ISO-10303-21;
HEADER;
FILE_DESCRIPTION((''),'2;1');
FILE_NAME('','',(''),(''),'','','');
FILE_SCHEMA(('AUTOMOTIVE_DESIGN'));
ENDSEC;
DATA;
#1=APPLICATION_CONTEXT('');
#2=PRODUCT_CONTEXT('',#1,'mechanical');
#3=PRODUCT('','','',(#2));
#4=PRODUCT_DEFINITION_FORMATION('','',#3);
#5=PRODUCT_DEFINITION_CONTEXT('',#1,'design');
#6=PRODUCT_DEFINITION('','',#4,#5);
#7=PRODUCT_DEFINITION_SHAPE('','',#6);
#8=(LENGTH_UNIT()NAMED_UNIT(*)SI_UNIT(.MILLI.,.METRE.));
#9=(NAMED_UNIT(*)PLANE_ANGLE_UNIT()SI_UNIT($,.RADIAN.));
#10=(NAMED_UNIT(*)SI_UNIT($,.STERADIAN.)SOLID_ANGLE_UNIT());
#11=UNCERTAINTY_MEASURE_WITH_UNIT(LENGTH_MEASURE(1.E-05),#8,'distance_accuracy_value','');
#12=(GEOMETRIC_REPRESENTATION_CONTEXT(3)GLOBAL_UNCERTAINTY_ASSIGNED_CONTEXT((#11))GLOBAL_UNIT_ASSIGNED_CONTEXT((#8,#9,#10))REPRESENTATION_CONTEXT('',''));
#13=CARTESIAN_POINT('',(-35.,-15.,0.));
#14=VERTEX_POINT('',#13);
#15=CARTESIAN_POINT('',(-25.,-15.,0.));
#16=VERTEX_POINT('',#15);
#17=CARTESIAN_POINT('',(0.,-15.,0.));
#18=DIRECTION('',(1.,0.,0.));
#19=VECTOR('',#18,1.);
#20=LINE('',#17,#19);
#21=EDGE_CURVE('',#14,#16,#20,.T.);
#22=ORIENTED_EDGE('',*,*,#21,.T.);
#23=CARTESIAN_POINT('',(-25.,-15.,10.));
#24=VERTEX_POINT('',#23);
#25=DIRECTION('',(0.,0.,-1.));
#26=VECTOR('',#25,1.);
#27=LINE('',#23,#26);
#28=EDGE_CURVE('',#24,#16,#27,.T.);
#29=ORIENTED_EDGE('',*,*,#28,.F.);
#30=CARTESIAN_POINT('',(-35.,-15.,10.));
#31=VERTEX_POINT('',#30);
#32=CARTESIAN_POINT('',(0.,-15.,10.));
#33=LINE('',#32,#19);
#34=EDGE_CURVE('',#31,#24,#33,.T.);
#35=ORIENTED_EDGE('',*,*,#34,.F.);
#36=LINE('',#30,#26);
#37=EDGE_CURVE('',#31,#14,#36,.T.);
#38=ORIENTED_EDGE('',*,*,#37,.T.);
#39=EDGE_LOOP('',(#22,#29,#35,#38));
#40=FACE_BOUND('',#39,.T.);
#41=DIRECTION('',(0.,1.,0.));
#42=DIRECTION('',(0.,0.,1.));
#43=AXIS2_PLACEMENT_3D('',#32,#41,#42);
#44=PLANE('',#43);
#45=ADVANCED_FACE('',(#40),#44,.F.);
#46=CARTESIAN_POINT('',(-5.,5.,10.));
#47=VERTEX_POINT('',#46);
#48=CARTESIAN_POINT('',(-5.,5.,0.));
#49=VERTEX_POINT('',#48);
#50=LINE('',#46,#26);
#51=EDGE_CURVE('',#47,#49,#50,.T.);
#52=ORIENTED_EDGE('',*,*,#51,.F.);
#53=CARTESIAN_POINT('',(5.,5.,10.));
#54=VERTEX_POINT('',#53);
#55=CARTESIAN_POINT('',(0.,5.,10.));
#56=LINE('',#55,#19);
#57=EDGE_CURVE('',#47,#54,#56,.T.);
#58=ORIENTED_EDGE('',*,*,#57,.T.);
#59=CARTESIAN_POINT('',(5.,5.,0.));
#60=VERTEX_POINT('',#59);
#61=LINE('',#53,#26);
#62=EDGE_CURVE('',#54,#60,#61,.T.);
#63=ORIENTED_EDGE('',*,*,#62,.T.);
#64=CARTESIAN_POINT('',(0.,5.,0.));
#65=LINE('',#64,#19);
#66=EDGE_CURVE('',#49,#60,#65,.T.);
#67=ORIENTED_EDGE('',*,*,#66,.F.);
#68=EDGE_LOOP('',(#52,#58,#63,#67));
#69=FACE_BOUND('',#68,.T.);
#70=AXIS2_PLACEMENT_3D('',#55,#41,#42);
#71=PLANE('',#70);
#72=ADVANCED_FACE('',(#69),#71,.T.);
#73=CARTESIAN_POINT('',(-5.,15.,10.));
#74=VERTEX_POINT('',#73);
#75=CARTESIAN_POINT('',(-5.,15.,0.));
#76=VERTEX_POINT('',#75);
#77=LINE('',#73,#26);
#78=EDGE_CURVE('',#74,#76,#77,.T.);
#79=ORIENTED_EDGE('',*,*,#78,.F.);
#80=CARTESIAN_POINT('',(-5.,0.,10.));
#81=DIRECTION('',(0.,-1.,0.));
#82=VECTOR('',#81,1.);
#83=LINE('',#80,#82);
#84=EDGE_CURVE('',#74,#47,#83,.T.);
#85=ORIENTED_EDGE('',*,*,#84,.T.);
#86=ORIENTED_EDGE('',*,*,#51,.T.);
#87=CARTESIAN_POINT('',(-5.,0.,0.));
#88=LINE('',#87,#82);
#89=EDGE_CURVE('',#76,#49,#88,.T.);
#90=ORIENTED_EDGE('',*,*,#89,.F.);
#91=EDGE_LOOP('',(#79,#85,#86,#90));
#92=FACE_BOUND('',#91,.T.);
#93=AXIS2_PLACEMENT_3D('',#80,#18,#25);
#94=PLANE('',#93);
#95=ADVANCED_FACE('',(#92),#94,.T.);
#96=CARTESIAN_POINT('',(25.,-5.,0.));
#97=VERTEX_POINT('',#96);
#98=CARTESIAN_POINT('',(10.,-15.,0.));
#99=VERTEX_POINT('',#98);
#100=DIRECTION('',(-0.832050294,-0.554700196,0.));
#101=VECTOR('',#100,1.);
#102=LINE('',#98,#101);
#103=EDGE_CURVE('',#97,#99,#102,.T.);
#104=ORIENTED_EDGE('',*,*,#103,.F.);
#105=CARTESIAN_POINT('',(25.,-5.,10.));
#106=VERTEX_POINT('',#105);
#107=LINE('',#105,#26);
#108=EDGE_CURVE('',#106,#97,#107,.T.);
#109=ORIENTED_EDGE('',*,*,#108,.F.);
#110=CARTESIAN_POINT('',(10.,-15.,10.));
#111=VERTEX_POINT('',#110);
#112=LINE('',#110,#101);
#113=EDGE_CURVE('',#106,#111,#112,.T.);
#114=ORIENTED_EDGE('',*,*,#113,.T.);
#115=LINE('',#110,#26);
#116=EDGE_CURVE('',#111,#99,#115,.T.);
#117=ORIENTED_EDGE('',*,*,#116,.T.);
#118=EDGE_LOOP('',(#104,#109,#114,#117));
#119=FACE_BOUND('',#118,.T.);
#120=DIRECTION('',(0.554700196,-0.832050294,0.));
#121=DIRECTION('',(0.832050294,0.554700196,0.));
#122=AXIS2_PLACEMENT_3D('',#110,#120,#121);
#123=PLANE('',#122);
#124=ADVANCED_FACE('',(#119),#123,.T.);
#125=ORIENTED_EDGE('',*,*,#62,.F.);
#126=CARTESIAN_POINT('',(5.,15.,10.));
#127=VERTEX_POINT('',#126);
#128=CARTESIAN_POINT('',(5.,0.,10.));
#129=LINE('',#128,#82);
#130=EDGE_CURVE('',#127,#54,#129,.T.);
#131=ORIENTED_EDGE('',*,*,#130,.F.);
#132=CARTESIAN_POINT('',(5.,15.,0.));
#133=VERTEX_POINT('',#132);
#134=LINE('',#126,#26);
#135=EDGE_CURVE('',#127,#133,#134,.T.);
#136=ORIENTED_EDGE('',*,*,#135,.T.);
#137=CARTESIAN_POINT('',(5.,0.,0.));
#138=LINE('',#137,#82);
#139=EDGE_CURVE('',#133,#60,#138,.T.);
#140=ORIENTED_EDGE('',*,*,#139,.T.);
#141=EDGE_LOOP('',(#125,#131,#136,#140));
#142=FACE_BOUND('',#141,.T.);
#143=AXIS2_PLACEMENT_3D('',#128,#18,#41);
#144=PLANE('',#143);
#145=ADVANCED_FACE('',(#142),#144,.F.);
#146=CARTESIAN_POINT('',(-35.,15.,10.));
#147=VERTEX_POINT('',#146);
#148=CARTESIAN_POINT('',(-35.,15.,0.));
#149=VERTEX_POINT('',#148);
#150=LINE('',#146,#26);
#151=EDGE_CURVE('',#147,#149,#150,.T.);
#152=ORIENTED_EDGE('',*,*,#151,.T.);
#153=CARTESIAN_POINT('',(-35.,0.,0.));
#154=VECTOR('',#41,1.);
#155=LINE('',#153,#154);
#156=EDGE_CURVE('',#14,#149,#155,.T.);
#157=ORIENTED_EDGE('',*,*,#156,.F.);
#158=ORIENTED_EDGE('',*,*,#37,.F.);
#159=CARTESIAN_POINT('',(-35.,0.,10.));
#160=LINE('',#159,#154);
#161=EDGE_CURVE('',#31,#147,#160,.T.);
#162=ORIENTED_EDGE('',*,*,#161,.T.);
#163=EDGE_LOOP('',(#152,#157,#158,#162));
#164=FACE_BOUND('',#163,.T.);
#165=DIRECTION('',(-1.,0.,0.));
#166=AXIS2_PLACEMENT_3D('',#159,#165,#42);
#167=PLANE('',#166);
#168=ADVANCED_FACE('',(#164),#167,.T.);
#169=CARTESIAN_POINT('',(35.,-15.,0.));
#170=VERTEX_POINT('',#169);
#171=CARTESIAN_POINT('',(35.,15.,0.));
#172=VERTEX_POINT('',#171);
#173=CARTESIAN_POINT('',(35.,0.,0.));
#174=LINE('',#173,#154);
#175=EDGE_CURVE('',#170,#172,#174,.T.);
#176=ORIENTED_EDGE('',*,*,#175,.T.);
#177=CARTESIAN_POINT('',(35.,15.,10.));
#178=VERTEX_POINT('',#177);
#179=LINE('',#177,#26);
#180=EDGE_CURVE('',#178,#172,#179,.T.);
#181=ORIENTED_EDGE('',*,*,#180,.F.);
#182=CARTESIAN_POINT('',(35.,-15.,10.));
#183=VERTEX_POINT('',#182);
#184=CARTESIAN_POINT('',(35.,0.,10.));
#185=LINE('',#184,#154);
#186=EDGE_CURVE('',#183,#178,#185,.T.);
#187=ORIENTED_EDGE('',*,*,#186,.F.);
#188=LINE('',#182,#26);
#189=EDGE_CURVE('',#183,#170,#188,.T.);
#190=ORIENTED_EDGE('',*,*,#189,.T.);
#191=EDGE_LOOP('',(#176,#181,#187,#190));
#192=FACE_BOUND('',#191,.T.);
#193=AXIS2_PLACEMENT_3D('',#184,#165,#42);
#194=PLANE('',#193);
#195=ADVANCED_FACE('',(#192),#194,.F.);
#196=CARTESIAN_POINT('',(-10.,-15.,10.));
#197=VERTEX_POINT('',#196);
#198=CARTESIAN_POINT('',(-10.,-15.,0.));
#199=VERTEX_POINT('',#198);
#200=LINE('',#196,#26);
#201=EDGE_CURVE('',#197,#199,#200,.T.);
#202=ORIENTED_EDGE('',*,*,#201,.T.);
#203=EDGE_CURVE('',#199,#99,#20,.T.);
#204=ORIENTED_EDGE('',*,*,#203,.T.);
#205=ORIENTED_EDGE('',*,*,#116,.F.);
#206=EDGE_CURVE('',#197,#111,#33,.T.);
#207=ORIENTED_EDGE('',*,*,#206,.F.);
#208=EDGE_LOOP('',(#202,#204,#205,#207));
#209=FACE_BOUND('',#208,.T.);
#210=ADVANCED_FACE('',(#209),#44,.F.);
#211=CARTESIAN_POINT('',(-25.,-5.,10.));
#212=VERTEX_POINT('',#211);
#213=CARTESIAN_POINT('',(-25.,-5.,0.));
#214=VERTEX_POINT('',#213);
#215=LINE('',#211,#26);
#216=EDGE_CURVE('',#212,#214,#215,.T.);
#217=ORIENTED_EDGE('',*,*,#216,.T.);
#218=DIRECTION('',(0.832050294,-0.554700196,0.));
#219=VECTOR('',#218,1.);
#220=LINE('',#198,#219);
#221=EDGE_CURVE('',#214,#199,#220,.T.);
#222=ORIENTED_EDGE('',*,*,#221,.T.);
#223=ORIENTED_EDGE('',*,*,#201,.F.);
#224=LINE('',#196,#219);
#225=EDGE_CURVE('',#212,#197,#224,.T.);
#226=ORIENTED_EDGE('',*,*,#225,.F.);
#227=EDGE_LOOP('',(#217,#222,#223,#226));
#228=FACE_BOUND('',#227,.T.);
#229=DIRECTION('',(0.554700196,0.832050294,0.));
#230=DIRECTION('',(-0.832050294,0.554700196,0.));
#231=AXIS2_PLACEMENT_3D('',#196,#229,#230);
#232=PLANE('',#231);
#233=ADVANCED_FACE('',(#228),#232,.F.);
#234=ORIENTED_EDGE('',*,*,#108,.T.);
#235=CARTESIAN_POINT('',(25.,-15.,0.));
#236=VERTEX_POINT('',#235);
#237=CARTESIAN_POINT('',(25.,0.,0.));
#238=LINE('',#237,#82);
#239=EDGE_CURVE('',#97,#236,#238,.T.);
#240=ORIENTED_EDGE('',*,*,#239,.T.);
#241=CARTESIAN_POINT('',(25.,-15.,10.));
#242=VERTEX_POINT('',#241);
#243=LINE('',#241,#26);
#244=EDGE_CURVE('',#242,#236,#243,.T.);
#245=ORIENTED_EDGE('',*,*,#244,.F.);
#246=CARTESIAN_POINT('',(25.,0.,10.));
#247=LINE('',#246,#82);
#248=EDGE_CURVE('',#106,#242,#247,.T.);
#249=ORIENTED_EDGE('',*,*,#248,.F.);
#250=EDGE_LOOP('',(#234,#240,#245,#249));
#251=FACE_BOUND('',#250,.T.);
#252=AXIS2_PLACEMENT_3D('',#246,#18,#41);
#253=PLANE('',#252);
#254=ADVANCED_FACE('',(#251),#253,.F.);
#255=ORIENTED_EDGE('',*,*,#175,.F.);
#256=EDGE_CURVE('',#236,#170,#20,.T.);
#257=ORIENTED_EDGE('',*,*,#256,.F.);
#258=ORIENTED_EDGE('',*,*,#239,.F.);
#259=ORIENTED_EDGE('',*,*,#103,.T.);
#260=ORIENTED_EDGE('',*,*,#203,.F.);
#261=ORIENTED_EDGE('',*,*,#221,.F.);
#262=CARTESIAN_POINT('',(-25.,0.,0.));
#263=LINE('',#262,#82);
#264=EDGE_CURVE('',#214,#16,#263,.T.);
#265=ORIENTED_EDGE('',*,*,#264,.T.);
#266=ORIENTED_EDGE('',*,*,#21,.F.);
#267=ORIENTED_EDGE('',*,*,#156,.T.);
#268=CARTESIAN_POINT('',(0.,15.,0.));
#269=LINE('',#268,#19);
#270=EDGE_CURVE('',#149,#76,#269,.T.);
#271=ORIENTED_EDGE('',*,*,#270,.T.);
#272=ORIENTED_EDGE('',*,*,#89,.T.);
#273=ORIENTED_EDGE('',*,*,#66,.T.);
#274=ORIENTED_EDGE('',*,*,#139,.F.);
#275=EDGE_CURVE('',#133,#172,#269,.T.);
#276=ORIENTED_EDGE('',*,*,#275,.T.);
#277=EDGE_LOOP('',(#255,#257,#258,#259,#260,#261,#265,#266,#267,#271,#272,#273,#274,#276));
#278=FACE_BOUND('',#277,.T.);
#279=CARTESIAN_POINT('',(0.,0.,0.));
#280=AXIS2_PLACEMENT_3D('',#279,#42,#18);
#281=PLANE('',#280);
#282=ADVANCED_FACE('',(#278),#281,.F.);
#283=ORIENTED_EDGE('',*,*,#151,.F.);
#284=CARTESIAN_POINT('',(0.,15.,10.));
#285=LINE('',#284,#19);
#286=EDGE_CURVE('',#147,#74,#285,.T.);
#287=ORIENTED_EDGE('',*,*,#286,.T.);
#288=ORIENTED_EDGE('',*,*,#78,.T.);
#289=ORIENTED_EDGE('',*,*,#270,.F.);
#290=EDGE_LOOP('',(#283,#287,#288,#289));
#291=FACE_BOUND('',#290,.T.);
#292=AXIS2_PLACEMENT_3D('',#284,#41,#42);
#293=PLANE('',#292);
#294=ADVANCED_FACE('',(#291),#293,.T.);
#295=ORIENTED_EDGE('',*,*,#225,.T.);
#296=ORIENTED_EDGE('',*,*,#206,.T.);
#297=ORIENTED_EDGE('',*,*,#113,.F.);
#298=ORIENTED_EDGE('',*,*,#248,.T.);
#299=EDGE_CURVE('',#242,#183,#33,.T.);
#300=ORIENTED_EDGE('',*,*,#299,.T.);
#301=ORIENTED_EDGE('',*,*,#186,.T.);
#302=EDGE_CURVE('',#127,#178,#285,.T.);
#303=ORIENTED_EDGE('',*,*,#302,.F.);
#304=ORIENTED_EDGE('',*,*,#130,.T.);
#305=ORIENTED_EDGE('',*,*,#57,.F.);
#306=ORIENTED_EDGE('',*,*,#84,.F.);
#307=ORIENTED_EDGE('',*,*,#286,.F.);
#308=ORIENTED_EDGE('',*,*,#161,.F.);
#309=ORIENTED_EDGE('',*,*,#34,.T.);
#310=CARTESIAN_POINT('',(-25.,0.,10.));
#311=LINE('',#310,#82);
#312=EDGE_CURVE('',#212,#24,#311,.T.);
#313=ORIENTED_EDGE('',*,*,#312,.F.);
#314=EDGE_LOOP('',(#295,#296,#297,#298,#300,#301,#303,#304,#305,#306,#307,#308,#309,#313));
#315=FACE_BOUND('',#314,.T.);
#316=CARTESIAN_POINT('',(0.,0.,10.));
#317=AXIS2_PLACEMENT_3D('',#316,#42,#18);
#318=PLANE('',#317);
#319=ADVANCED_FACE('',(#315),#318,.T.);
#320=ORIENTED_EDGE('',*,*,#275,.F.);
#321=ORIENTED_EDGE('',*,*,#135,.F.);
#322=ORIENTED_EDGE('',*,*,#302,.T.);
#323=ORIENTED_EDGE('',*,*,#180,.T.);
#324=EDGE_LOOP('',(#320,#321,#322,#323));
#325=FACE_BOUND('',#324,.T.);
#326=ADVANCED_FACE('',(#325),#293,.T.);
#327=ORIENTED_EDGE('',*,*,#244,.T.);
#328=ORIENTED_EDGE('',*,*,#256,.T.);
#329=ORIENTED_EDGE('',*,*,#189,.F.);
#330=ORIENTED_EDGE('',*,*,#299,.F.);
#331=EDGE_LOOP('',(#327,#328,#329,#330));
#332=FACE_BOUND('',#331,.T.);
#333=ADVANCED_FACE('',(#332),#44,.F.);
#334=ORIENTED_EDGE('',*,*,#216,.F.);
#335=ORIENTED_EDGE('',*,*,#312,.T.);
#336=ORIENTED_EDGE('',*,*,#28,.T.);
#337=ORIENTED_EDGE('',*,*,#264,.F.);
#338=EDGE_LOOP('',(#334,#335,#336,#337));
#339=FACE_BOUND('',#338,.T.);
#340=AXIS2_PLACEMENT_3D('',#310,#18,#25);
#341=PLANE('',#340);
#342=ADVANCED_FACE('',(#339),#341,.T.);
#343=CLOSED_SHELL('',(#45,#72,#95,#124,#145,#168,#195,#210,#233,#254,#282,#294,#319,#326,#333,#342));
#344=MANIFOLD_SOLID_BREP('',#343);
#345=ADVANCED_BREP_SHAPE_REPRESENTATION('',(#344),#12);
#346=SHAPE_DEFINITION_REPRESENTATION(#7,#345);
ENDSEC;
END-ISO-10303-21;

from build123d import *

# Parameters (mm, degrees)
BOSS_EXTRUDE1_DEPTH = 10


with BuildPart() as part:
    # Sketch1 → Boss-Extrude1 (new body)
    with BuildSketch(Plane.XY):
        Polygon((-35, -15), (-25, -15), (-25, -5), (-10, -15), (10, -15), (25, -5), (25, -15), (35, -15), (35, 15), (5, 15), (5, 5), (-5, 5), (-5, 15), (-35, 15), align=None)
    extrude(amount=BOSS_EXTRUDE1_DEPTH)


solid = part.part
